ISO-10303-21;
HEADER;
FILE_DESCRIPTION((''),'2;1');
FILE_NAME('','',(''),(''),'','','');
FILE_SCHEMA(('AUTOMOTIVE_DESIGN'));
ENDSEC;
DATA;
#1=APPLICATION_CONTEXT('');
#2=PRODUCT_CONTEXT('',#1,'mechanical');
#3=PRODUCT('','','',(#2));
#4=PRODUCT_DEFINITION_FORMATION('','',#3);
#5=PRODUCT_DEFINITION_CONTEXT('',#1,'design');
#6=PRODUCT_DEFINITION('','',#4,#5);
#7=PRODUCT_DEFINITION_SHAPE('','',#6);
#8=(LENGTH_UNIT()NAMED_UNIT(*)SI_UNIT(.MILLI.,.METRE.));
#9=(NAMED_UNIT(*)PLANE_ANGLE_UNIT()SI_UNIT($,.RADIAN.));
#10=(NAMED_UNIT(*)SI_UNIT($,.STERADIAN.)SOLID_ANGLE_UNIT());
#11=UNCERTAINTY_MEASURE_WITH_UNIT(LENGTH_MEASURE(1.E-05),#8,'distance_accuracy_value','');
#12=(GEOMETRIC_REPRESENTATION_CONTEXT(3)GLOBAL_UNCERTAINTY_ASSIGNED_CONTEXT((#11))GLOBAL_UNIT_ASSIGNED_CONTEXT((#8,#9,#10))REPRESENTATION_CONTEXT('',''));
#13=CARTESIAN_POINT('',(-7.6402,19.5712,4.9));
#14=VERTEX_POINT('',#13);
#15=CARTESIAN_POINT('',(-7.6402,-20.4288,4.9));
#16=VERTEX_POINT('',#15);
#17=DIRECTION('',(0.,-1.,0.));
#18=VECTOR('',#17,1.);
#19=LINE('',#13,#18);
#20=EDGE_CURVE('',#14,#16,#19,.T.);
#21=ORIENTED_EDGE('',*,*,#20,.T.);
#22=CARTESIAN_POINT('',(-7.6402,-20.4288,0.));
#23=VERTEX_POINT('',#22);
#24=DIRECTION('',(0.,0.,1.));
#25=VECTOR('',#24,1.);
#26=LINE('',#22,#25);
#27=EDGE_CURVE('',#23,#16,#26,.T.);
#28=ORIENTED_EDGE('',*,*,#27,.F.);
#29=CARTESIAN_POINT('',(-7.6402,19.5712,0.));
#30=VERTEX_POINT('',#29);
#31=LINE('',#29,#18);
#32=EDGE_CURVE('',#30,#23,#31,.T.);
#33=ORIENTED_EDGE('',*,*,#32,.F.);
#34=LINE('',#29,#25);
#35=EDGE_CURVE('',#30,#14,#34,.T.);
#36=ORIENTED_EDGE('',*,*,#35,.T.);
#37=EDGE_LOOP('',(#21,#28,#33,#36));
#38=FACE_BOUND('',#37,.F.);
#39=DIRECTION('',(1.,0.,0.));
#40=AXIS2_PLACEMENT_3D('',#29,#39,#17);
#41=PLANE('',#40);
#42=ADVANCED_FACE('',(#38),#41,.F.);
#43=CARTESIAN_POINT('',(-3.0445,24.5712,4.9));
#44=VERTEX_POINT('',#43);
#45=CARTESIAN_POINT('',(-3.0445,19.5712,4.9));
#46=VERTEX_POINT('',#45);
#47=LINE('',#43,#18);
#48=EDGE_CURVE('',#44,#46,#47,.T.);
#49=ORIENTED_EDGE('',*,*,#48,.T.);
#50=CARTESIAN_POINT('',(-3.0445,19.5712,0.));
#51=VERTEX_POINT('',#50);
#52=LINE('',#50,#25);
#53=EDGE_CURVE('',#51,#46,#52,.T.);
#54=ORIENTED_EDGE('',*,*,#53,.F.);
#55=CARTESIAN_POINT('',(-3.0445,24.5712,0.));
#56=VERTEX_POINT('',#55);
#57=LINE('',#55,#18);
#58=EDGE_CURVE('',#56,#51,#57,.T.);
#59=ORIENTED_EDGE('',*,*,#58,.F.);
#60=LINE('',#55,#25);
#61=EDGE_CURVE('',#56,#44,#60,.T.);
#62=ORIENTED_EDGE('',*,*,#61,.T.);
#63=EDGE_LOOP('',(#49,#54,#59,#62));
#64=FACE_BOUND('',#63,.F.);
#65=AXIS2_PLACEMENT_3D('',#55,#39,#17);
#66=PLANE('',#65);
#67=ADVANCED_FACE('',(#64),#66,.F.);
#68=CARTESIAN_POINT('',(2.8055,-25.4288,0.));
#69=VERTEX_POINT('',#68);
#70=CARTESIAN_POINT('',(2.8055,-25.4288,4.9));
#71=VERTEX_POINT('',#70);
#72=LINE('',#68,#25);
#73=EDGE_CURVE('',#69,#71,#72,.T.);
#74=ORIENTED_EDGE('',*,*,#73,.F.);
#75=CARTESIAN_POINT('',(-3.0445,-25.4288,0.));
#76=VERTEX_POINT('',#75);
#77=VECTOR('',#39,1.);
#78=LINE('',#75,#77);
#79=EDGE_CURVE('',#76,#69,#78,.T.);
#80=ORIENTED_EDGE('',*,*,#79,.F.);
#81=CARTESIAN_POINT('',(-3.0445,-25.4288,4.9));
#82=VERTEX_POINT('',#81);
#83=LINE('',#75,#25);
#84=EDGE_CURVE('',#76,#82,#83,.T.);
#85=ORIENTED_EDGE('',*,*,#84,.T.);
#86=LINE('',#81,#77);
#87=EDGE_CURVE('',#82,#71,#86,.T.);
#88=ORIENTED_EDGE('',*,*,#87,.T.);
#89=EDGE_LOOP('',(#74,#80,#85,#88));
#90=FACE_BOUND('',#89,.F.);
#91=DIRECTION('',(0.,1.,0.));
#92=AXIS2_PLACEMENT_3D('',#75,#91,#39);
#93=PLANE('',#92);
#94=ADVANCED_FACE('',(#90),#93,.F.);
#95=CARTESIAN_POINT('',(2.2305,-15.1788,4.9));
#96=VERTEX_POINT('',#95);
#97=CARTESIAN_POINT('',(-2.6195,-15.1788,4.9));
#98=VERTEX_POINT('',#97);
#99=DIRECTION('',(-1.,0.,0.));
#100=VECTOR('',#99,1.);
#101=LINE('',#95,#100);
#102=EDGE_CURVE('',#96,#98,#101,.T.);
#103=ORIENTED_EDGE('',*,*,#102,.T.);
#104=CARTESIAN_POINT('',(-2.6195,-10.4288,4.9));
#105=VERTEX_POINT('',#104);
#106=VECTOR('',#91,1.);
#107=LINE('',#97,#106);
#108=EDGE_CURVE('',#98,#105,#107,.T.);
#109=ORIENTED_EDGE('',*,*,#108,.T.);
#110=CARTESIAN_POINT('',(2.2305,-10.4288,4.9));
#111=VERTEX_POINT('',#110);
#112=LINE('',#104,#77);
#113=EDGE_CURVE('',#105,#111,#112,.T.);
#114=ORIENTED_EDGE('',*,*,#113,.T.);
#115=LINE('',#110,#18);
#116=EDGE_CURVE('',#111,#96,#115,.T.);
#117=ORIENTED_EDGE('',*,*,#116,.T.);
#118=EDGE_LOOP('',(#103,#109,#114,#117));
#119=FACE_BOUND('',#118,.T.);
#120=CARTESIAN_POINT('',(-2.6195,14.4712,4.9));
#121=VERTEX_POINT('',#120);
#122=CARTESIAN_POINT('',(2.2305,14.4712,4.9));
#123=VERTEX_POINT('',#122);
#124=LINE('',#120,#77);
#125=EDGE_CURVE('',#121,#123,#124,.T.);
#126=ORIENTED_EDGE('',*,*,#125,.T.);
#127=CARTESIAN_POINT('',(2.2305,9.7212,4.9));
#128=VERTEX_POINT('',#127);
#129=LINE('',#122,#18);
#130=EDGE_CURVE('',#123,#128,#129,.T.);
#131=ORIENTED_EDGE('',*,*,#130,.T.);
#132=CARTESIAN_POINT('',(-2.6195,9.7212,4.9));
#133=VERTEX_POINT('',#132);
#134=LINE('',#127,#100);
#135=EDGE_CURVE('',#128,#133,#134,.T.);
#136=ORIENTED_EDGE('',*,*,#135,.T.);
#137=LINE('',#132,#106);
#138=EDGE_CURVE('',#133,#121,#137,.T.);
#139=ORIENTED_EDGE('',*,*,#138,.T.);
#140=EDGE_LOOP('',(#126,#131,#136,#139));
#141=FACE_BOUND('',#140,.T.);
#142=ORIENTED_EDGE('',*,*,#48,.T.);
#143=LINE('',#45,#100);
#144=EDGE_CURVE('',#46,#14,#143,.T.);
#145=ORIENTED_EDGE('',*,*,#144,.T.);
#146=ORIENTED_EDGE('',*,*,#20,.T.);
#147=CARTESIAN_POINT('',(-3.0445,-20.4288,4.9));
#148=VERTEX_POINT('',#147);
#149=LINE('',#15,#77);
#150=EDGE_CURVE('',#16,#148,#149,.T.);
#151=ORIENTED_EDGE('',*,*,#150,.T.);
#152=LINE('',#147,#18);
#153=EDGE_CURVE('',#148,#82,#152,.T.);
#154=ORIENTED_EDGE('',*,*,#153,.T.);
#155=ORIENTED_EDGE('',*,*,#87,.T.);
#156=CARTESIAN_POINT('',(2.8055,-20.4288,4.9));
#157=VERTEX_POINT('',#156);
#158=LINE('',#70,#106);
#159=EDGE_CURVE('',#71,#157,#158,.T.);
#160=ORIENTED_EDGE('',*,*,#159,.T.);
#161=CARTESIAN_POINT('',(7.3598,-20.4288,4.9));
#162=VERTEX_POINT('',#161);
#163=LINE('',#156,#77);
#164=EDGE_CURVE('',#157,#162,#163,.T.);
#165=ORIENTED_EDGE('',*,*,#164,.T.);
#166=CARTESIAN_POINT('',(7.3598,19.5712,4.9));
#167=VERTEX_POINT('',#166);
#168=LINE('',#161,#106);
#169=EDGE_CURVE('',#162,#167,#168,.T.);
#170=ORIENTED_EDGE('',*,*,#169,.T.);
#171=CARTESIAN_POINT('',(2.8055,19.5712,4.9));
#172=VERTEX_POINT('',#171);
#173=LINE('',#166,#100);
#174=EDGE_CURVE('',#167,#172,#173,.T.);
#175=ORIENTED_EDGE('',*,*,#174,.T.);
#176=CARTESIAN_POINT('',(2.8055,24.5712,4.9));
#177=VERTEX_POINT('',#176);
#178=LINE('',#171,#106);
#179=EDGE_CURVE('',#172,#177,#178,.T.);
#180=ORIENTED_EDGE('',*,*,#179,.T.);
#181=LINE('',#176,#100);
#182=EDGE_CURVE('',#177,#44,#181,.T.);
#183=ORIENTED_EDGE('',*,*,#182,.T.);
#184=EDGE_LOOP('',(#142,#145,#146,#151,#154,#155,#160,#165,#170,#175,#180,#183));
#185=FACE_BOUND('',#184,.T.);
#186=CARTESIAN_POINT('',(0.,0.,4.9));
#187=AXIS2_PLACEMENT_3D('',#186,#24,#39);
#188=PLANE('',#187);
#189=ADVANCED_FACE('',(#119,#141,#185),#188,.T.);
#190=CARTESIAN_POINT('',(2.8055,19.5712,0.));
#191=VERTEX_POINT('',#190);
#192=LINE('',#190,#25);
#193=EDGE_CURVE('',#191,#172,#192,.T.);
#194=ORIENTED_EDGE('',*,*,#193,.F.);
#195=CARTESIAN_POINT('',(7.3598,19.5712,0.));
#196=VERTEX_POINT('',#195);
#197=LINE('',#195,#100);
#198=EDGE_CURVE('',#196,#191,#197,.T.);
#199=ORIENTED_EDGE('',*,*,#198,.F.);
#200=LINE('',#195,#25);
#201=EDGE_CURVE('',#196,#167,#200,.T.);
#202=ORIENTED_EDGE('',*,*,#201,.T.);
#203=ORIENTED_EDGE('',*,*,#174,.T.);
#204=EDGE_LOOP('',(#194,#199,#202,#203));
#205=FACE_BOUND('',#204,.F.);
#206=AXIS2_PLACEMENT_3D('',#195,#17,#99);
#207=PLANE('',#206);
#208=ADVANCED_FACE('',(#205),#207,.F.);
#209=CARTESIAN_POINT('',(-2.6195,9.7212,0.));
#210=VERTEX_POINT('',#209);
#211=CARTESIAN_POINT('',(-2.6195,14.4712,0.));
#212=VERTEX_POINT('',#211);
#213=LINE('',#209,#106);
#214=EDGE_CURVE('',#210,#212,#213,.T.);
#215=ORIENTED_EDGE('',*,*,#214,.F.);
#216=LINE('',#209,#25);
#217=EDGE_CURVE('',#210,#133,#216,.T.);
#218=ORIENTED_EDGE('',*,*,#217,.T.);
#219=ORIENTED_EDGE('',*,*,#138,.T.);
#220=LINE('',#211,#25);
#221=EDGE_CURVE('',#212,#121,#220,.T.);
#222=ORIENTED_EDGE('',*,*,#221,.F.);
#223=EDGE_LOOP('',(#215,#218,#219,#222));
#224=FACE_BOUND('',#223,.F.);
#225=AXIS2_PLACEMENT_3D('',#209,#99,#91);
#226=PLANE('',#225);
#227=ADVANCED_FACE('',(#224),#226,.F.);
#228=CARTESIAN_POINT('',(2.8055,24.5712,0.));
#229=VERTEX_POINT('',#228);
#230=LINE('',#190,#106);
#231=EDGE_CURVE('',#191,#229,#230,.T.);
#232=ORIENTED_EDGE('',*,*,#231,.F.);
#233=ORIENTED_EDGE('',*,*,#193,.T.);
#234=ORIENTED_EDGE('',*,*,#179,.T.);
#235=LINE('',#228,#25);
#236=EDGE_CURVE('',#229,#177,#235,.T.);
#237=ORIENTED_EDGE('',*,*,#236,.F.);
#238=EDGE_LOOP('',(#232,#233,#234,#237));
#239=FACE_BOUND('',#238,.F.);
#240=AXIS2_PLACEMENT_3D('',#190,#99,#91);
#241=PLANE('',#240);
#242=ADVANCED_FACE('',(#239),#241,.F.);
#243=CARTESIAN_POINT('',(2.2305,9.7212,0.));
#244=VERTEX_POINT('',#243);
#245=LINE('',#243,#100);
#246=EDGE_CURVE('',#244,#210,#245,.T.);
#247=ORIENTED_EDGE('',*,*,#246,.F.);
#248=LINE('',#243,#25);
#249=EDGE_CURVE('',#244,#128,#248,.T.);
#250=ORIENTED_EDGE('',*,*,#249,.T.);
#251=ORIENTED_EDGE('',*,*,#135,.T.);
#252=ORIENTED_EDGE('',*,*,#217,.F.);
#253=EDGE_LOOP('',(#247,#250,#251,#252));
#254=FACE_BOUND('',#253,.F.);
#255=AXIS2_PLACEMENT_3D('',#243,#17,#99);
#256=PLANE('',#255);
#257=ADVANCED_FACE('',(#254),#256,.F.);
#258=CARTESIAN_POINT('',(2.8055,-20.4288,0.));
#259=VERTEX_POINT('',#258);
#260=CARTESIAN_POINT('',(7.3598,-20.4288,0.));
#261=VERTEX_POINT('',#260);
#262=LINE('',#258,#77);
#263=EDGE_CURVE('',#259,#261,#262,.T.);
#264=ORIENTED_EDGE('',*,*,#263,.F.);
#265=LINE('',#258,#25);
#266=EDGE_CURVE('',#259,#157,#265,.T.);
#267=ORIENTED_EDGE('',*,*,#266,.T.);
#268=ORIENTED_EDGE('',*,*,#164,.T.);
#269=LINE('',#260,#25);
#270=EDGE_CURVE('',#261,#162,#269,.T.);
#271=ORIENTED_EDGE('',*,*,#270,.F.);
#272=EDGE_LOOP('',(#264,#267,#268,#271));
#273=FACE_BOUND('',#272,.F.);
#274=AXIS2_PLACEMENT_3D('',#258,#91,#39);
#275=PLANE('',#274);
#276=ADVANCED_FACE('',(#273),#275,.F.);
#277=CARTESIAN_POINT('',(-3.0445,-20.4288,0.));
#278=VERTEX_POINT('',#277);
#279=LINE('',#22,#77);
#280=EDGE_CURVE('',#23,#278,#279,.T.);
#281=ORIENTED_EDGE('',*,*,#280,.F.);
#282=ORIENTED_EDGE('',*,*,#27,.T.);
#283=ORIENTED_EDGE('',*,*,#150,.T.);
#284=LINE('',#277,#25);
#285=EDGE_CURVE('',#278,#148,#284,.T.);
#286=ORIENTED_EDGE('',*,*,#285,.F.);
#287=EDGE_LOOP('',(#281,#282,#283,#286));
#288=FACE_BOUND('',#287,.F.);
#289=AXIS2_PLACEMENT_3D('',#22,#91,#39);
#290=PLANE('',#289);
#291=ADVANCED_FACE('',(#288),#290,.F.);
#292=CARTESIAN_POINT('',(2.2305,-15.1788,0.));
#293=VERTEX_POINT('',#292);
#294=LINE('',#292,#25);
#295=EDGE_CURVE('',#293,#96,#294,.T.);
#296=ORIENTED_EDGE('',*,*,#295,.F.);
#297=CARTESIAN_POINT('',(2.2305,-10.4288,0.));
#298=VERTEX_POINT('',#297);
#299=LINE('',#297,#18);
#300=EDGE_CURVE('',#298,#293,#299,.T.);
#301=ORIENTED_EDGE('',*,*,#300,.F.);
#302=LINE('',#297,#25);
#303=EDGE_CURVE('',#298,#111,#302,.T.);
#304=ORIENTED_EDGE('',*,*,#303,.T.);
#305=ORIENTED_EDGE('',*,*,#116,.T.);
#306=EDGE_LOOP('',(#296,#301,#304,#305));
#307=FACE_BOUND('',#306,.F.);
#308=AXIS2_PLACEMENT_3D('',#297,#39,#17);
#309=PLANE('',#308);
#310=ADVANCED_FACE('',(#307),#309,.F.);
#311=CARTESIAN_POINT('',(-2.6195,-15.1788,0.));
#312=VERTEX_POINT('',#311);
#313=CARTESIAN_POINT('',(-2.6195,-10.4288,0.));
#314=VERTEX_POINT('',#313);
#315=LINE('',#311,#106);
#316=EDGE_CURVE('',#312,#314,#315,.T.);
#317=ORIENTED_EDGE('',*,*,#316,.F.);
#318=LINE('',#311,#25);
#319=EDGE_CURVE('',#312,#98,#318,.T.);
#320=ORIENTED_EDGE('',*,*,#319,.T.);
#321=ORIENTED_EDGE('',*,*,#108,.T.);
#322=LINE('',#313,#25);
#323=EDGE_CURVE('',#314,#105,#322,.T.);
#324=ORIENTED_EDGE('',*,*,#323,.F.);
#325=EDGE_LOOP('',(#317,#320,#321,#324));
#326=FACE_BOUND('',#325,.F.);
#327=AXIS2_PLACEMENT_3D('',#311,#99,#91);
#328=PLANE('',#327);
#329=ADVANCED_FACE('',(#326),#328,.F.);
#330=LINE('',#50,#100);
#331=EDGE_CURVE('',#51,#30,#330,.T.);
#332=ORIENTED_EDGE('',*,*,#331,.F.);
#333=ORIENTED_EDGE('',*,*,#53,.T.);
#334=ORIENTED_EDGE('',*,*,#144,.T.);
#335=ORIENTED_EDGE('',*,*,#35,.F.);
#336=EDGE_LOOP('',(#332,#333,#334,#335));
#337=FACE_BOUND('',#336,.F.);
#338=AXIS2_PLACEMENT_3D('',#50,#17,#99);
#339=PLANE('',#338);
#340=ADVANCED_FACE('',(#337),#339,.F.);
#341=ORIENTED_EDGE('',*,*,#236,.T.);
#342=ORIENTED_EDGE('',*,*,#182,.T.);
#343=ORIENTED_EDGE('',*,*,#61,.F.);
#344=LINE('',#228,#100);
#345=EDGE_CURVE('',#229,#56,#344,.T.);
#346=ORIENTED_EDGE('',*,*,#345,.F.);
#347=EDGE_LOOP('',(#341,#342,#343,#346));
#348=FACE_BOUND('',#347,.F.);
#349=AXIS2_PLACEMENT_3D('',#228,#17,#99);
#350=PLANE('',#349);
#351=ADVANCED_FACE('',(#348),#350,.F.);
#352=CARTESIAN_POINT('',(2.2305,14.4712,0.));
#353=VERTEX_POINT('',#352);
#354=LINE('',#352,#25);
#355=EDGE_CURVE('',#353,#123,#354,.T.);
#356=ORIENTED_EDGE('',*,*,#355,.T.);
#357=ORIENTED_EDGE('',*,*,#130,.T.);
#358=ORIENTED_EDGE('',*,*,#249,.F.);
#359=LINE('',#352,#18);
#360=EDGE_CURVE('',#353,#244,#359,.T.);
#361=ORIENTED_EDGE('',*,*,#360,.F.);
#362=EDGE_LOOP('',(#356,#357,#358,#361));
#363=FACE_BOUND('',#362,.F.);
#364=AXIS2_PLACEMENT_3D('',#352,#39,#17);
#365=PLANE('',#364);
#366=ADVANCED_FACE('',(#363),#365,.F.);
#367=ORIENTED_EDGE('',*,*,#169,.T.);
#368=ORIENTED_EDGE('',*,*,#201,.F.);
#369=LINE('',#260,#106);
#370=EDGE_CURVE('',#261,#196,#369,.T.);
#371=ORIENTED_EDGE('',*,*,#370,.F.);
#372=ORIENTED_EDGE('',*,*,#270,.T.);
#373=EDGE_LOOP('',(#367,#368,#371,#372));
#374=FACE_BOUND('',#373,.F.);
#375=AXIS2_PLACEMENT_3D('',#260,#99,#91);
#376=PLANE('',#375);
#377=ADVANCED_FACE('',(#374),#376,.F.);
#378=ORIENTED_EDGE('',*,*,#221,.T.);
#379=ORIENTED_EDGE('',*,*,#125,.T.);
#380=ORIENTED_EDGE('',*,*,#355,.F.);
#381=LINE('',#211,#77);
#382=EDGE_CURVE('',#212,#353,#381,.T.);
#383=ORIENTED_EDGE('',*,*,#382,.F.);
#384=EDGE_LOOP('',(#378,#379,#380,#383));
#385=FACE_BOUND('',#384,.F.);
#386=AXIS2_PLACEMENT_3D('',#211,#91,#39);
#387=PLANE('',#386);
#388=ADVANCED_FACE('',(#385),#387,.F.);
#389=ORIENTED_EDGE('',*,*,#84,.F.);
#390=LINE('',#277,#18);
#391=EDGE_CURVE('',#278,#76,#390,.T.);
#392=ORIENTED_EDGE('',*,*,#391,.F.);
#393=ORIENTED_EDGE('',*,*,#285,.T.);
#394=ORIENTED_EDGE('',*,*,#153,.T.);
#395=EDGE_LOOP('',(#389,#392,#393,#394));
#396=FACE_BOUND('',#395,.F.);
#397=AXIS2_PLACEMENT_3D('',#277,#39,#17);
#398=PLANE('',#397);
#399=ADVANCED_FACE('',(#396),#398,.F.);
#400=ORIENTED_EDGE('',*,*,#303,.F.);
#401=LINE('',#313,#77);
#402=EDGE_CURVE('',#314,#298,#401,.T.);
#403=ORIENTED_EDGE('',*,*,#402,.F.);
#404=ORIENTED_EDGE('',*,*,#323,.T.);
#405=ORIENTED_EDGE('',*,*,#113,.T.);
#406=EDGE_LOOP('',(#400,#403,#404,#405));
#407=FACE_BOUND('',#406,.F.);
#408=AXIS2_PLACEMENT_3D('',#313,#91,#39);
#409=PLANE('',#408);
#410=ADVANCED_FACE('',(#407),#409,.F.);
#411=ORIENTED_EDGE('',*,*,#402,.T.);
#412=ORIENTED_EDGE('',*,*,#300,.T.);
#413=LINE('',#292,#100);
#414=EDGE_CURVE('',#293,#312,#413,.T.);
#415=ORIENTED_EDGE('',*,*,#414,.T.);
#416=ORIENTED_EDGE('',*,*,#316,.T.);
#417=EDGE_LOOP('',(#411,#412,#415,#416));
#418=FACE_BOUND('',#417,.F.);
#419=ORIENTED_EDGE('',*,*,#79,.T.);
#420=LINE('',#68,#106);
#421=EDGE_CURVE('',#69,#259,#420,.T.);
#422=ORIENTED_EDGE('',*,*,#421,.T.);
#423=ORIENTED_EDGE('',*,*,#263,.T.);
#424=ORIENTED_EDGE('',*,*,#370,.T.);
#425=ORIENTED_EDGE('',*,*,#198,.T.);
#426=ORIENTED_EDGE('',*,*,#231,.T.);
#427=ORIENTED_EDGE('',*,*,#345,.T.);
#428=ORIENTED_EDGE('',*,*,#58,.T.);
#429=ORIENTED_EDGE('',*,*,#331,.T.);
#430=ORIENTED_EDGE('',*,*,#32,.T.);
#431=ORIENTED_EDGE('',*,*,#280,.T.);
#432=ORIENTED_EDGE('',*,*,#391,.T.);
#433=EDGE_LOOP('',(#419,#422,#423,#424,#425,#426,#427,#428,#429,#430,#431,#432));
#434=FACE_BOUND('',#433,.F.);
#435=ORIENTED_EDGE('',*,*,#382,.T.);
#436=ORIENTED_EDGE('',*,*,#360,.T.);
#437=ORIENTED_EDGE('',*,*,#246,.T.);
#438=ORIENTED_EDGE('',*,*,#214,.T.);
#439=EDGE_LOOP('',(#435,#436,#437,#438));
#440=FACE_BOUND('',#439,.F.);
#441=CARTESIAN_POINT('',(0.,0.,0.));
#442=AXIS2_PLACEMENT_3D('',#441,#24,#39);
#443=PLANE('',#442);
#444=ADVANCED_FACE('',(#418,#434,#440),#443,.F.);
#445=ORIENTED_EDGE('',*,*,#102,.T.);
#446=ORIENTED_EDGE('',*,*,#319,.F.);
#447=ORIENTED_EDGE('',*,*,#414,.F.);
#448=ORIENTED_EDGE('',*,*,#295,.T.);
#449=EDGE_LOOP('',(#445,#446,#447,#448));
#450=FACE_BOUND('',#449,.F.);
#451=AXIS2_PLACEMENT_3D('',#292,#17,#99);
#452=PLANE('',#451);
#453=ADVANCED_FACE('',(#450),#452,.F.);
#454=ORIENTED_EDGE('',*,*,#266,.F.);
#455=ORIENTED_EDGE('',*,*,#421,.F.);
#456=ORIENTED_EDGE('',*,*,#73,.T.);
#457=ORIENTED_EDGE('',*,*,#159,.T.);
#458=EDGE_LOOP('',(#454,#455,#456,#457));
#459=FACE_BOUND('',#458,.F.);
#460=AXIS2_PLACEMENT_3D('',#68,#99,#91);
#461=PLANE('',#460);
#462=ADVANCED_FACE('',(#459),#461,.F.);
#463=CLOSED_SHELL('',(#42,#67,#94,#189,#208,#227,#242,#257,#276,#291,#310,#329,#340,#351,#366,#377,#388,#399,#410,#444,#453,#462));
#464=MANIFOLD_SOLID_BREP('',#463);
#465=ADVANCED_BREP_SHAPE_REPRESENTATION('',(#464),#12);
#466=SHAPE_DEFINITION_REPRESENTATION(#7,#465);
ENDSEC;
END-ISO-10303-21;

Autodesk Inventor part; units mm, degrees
ref_plane "YZ Plane" through (0, 0, 0) normal (1, 0, 0) x (0, 1, 0)
ref_plane "XZ Plane" through (0, 0, 0) normal (0, 1, 0) x (-1, 0, 0)
ref_plane "XY Plane" through (0, 0, 0) normal (0, 0, 1) x (1, 0, 0)
sketch "Эскиз1" plane through (0, 0, 0) normal (0, 0, 1) x (1, 0, 0)
  line L0 (2.2305, 14.4712) -> (2.2305, 9.7212)
  line L1 (2.2305, 9.7212) -> (-2.6195, 9.7212)
  line L2 (-2.6195, 9.7212) -> (-2.6195, 14.4712)
  line L3 (-2.6195, 14.4712) -> (2.2305, 14.4712)
  line L4 (7.3598, -20.4288) -> (7.3598, 19.5712)
  line L5 (7.3598, 19.5712) -> (2.8055, 19.5712)
  line L6 (2.8055, 19.5712) -> (2.8055, 24.5712)
  line L7 (2.8055, 24.5712) -> (-3.0445, 24.5712)
  line L8 (-3.0445, 24.5712) -> (-3.0445, 19.5712)
  line L9 (-3.0445, 19.5712) -> (-7.6402, 19.5712)
  line L10 (-7.6402, 19.5712) -> (-7.6402, -20.4288)
  line L11 (-7.6402, -20.4288) -> (-3.0445, -20.4288)
  line L12 (-3.0445, -20.4288) -> (-3.0445, -25.4288)
  line L13 (-3.0445, -25.4288) -> (2.8055, -25.4288)
  line L14 (2.8055, -25.4288) -> (2.8055, -20.4288)
  line L15 (2.8055, -20.4288) -> (7.3598, -20.4288)
  line L16 (2.2305, -10.4288) -> (2.2305, -15.1788)
  line L17 (2.2305, -15.1788) -> (-2.6195, -15.1788)
  line L18 (-2.6195, -15.1788) -> (-2.6195, -10.4288)
  line L19 (-2.6195, -10.4288) -> (2.2305, -10.4288)
extrude "Выдавливание1" add sketch "Эскиз1" along normal blind 4.9
properties part number "В. шарн. - соединитель"
